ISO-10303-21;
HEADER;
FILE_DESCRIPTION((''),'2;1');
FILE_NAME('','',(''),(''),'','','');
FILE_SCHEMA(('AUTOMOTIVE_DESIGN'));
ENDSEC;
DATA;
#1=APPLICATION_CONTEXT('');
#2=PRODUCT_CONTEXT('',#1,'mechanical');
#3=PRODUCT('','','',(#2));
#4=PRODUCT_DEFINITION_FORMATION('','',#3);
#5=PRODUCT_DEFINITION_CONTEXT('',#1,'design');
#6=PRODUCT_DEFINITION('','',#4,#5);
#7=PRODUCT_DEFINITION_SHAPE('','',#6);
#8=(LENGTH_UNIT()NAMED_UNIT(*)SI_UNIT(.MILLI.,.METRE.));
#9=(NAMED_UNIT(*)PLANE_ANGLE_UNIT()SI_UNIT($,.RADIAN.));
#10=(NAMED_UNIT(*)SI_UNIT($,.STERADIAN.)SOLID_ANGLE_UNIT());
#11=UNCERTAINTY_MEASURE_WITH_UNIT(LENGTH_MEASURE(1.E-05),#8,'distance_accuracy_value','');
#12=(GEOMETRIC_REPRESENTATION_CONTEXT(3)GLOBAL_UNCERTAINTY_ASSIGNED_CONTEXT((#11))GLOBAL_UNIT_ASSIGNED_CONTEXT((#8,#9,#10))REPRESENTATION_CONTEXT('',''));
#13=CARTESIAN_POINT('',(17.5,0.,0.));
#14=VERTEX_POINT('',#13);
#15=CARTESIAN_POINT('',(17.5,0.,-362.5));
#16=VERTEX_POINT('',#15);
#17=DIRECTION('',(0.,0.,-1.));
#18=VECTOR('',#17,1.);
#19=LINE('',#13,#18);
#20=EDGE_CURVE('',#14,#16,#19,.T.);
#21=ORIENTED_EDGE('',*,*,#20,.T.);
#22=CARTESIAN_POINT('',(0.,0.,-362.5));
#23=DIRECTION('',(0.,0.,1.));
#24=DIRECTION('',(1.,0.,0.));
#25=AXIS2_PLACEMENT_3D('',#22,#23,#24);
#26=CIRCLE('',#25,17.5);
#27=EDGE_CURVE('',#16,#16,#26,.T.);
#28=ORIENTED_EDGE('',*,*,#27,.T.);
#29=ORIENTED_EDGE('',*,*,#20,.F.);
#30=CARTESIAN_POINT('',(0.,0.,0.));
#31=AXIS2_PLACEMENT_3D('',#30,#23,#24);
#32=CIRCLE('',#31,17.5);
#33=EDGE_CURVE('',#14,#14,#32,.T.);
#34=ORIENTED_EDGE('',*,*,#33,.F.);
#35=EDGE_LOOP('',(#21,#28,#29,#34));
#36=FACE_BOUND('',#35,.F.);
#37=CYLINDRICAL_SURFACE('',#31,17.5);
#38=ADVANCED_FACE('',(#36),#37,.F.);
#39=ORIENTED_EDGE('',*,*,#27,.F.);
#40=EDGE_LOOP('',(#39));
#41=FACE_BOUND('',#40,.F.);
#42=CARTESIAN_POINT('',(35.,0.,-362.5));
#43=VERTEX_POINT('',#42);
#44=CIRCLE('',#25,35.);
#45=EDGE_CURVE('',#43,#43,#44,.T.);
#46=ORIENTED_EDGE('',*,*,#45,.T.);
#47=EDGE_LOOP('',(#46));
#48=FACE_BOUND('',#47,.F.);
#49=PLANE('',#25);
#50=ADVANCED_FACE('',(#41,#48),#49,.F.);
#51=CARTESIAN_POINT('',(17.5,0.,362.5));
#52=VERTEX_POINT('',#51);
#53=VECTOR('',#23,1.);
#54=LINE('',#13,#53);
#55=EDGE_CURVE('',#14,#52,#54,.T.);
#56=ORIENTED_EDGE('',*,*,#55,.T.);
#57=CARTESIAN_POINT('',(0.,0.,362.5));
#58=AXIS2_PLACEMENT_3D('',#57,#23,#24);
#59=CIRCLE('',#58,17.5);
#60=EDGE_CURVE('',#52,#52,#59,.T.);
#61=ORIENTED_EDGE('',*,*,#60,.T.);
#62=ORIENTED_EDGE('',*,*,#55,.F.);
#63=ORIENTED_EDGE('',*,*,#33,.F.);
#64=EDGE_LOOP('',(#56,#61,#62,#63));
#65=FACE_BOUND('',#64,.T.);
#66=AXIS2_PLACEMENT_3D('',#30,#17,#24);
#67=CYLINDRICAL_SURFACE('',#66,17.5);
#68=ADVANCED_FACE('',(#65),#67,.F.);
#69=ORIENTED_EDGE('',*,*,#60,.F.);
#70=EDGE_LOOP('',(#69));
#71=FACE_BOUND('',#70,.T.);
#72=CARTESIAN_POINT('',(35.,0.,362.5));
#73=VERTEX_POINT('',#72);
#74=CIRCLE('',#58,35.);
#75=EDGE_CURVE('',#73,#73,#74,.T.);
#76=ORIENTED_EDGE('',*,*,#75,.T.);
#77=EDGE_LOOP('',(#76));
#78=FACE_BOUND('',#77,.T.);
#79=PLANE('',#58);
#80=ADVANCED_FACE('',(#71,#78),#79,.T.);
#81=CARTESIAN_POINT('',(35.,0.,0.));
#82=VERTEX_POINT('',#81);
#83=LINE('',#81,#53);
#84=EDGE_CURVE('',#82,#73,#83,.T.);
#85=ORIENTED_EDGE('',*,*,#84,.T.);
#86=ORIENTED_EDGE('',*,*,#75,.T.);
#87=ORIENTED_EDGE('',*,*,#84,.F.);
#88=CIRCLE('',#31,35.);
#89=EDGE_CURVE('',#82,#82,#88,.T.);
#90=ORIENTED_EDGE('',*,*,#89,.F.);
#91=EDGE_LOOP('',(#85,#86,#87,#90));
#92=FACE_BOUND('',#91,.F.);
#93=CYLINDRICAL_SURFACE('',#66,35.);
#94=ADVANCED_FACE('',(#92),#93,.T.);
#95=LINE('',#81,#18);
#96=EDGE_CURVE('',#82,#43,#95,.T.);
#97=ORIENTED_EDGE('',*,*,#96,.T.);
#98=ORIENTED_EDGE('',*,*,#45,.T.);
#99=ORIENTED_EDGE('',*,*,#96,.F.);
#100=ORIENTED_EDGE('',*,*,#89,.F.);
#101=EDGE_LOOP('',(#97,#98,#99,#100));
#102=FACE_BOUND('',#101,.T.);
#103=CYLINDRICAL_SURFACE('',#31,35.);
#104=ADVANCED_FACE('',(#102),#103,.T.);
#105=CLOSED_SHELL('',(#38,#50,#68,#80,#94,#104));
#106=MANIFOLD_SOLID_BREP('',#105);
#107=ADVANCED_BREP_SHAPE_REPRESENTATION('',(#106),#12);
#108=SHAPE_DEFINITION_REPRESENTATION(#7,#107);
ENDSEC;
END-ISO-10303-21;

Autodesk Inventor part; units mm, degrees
sketch "Esboço1" plane through (0, 0, 0) normal (0, 0, 1) x (1, 0, 0)
  circle A0 centre (0, 0) radius 35
  circle A1 centre (0, 0) radius 17.5
  dimension "d0" = 70
  dimension "d1" = 35
extrude "Extrusão1" add sketch "Esboço1" along normal mid plane 725
properties part number "Sessao7_02_04_2025_0002_001" material "Aço inoxidável"
